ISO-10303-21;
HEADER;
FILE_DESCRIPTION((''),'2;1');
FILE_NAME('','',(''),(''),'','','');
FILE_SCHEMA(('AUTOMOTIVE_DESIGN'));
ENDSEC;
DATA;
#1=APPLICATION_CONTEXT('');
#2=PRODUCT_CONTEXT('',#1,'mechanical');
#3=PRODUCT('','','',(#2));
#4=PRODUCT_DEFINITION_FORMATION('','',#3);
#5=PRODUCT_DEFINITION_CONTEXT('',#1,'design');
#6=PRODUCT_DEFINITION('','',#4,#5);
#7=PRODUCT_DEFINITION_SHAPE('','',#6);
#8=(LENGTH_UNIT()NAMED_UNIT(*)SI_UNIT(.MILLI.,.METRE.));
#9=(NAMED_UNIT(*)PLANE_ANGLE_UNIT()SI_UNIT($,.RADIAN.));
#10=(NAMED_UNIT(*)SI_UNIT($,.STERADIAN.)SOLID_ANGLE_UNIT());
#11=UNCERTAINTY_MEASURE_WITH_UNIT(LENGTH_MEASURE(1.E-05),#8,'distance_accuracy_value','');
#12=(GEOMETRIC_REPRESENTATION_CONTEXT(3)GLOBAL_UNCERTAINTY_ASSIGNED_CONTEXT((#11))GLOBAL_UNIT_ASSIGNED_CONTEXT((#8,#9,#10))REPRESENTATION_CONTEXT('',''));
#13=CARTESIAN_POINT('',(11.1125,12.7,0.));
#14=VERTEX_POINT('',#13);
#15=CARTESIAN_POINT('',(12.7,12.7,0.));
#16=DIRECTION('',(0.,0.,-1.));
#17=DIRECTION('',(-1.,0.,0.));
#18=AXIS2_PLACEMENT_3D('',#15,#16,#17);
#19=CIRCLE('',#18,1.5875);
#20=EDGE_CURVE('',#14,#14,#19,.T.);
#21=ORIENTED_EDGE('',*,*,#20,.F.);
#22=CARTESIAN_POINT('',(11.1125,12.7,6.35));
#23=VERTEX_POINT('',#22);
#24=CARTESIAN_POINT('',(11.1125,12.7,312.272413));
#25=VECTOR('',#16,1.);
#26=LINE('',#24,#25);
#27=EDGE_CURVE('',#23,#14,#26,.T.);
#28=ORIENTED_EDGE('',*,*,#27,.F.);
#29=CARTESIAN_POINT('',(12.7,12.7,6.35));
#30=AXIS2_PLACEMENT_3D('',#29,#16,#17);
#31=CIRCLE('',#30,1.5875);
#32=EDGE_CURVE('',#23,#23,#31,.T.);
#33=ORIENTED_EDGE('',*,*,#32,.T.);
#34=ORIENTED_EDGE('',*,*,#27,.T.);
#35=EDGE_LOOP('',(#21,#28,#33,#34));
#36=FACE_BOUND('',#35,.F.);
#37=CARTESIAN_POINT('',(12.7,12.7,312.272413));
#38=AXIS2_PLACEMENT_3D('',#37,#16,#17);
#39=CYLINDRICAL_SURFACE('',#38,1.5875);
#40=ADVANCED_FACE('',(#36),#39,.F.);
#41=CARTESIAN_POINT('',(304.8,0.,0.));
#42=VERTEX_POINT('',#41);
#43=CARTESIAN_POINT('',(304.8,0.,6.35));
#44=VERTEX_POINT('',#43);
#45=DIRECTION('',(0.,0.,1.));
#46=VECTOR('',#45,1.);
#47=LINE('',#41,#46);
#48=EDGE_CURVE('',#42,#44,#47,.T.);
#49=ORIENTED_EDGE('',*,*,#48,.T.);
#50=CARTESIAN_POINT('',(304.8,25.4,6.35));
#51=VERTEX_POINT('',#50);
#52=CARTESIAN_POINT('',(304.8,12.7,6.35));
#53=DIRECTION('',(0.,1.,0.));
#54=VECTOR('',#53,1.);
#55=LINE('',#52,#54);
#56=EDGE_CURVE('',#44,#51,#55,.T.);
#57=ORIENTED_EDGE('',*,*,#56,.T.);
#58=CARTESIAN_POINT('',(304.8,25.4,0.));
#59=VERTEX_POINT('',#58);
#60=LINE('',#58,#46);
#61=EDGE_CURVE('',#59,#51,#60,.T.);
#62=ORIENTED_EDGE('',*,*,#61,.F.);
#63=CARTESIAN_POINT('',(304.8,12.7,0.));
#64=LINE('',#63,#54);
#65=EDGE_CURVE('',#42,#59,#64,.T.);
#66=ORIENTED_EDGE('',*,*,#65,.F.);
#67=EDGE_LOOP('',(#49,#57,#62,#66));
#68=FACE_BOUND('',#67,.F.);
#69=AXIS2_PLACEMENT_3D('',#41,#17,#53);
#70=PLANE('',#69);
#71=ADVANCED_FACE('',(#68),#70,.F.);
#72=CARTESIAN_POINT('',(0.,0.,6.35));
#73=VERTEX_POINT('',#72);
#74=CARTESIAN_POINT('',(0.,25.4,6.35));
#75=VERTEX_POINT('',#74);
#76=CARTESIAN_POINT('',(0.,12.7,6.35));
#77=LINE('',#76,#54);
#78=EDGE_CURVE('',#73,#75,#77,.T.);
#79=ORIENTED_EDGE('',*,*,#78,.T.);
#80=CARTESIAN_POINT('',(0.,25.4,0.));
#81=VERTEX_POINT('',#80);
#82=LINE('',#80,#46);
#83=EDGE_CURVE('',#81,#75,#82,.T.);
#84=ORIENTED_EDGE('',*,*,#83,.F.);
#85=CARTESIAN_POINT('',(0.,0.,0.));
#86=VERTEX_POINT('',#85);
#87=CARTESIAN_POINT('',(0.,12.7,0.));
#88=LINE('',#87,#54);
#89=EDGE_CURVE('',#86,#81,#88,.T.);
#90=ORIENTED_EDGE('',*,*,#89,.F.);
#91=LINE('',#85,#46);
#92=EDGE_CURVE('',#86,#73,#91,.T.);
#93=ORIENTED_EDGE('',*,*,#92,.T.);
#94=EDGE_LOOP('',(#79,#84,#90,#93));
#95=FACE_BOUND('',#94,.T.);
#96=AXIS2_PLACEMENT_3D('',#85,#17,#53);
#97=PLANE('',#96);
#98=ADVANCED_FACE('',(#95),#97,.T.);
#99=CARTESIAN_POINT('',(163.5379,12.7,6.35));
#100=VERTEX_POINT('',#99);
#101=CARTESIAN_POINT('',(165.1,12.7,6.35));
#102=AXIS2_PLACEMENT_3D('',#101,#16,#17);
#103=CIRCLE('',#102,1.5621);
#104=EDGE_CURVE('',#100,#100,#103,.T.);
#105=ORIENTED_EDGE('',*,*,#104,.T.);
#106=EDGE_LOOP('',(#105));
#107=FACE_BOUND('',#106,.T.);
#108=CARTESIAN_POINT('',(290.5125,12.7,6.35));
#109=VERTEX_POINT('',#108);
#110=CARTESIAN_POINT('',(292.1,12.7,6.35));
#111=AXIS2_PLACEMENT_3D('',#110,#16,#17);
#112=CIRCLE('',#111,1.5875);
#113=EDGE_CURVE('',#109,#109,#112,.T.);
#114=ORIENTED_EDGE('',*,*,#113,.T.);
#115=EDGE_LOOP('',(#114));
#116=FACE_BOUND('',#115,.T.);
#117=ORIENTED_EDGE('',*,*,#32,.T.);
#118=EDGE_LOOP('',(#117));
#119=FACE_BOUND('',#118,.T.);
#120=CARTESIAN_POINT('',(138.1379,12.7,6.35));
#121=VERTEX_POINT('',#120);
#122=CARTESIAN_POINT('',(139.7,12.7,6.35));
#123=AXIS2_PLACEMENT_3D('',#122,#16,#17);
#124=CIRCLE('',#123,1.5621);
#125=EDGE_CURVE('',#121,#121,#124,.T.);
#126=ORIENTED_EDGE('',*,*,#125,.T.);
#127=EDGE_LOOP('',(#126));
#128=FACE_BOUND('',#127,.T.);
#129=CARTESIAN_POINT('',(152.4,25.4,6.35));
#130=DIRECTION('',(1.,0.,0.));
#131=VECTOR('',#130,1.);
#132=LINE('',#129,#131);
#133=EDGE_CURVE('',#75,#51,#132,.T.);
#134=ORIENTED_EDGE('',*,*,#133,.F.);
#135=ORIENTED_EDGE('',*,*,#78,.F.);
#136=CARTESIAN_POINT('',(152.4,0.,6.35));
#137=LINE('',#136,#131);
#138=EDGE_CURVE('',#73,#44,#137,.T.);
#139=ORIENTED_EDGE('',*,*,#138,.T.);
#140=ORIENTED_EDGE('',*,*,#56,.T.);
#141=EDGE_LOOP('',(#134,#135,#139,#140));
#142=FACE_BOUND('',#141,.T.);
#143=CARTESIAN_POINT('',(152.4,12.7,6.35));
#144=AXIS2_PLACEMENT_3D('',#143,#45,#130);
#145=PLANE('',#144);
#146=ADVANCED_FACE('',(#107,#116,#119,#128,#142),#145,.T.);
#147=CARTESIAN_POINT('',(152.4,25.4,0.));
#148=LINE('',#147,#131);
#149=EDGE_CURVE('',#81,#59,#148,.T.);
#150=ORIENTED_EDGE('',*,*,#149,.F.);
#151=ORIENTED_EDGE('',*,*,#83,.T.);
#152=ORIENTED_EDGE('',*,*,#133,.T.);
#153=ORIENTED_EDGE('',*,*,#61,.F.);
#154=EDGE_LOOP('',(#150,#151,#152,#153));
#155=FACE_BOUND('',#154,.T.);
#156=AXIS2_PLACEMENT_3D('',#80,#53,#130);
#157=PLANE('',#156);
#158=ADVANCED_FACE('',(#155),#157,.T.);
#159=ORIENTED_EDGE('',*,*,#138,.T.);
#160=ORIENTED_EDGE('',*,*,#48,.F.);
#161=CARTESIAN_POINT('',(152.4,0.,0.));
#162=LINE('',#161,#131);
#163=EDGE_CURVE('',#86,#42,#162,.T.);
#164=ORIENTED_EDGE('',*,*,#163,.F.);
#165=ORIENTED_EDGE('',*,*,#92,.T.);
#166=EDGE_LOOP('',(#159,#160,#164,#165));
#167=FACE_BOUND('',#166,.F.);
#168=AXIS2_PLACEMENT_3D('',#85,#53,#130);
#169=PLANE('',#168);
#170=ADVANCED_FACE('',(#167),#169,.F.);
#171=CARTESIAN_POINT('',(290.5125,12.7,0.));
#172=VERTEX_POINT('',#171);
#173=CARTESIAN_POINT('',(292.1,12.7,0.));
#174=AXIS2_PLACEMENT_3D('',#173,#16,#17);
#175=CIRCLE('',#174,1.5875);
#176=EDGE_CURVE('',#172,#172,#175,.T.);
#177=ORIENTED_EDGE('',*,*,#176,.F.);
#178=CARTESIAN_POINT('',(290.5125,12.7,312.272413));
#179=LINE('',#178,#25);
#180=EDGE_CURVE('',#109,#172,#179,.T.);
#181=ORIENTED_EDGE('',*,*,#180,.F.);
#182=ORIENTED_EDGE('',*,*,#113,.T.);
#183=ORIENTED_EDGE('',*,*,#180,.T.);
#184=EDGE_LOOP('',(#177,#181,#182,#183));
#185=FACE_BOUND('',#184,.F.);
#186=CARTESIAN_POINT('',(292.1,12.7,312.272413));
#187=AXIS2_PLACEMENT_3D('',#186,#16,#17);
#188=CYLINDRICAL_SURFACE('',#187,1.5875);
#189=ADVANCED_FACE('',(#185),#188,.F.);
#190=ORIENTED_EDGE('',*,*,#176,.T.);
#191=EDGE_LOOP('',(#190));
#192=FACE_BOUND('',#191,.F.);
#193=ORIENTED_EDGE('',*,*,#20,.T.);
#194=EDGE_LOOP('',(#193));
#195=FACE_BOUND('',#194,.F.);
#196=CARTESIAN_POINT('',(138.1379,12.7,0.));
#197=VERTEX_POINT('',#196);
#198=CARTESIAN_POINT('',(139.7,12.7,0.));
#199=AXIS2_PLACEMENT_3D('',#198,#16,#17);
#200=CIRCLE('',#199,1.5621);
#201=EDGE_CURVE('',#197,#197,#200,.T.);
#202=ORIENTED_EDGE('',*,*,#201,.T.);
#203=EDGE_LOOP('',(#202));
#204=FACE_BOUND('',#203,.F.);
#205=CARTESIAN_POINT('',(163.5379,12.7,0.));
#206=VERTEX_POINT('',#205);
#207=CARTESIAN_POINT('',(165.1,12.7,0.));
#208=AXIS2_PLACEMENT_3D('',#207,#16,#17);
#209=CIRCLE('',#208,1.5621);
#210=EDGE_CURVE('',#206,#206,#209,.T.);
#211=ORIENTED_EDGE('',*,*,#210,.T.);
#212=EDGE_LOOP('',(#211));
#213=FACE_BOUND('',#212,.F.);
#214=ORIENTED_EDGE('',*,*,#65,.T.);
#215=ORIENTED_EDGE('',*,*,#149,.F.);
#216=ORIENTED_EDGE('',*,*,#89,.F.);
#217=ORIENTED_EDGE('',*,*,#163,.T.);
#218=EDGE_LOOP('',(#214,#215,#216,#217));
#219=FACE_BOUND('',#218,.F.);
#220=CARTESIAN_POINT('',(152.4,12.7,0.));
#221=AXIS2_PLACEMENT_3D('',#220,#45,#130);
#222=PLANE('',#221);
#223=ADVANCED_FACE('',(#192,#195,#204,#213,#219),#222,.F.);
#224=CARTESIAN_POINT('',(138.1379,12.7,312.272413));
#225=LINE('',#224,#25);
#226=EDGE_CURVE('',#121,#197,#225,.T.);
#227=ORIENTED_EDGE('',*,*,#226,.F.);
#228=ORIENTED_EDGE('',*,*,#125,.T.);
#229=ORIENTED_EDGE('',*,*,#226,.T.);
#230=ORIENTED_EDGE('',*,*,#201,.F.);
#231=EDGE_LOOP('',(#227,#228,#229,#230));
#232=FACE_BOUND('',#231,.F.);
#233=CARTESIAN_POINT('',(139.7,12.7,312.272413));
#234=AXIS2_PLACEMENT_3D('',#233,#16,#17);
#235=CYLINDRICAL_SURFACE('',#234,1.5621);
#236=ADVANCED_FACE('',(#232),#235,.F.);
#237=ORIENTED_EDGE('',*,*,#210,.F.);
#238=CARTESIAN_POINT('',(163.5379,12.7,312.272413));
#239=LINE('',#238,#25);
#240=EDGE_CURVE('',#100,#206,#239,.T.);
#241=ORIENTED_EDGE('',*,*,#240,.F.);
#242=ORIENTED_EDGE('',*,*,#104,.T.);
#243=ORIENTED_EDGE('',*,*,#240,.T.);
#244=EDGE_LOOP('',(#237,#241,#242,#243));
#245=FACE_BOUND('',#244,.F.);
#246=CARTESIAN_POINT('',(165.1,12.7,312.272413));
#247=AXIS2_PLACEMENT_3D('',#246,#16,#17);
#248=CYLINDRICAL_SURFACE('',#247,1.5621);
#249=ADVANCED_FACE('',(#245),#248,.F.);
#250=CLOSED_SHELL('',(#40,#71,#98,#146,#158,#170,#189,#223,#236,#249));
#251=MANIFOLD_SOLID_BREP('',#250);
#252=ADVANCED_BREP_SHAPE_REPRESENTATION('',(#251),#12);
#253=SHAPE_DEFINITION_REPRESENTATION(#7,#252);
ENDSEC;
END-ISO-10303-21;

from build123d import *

# Parameters (mm, degrees)
F0_W     = 304.8
F0_H     = 25.4
F1_DEPTH = 6.35
F3_D     = 3.1242
F5_D     = 3.175


with BuildPart() as f1:
    # F0 (on Top) → F1 (new body)
    with BuildSketch(Plane.XY):
        with Locations((152.4, 12.7)):
            Rectangle(F0_W, F0_H)
    extrude(amount=F1_DEPTH)

    # F3 (through all)
    with Locations(Plane.XY.offset(6.35)):
        with Locations((139.7, 12.7), (165.1, 12.7)):
            Hole(F3_D / 2)

    # F5 (through all)
    with Locations(Plane.XY.offset(6.35)):
        with Locations((12.7, 12.7), (292.1, 12.7)):
            Hole(F5_D / 2)


solid = f1.part
